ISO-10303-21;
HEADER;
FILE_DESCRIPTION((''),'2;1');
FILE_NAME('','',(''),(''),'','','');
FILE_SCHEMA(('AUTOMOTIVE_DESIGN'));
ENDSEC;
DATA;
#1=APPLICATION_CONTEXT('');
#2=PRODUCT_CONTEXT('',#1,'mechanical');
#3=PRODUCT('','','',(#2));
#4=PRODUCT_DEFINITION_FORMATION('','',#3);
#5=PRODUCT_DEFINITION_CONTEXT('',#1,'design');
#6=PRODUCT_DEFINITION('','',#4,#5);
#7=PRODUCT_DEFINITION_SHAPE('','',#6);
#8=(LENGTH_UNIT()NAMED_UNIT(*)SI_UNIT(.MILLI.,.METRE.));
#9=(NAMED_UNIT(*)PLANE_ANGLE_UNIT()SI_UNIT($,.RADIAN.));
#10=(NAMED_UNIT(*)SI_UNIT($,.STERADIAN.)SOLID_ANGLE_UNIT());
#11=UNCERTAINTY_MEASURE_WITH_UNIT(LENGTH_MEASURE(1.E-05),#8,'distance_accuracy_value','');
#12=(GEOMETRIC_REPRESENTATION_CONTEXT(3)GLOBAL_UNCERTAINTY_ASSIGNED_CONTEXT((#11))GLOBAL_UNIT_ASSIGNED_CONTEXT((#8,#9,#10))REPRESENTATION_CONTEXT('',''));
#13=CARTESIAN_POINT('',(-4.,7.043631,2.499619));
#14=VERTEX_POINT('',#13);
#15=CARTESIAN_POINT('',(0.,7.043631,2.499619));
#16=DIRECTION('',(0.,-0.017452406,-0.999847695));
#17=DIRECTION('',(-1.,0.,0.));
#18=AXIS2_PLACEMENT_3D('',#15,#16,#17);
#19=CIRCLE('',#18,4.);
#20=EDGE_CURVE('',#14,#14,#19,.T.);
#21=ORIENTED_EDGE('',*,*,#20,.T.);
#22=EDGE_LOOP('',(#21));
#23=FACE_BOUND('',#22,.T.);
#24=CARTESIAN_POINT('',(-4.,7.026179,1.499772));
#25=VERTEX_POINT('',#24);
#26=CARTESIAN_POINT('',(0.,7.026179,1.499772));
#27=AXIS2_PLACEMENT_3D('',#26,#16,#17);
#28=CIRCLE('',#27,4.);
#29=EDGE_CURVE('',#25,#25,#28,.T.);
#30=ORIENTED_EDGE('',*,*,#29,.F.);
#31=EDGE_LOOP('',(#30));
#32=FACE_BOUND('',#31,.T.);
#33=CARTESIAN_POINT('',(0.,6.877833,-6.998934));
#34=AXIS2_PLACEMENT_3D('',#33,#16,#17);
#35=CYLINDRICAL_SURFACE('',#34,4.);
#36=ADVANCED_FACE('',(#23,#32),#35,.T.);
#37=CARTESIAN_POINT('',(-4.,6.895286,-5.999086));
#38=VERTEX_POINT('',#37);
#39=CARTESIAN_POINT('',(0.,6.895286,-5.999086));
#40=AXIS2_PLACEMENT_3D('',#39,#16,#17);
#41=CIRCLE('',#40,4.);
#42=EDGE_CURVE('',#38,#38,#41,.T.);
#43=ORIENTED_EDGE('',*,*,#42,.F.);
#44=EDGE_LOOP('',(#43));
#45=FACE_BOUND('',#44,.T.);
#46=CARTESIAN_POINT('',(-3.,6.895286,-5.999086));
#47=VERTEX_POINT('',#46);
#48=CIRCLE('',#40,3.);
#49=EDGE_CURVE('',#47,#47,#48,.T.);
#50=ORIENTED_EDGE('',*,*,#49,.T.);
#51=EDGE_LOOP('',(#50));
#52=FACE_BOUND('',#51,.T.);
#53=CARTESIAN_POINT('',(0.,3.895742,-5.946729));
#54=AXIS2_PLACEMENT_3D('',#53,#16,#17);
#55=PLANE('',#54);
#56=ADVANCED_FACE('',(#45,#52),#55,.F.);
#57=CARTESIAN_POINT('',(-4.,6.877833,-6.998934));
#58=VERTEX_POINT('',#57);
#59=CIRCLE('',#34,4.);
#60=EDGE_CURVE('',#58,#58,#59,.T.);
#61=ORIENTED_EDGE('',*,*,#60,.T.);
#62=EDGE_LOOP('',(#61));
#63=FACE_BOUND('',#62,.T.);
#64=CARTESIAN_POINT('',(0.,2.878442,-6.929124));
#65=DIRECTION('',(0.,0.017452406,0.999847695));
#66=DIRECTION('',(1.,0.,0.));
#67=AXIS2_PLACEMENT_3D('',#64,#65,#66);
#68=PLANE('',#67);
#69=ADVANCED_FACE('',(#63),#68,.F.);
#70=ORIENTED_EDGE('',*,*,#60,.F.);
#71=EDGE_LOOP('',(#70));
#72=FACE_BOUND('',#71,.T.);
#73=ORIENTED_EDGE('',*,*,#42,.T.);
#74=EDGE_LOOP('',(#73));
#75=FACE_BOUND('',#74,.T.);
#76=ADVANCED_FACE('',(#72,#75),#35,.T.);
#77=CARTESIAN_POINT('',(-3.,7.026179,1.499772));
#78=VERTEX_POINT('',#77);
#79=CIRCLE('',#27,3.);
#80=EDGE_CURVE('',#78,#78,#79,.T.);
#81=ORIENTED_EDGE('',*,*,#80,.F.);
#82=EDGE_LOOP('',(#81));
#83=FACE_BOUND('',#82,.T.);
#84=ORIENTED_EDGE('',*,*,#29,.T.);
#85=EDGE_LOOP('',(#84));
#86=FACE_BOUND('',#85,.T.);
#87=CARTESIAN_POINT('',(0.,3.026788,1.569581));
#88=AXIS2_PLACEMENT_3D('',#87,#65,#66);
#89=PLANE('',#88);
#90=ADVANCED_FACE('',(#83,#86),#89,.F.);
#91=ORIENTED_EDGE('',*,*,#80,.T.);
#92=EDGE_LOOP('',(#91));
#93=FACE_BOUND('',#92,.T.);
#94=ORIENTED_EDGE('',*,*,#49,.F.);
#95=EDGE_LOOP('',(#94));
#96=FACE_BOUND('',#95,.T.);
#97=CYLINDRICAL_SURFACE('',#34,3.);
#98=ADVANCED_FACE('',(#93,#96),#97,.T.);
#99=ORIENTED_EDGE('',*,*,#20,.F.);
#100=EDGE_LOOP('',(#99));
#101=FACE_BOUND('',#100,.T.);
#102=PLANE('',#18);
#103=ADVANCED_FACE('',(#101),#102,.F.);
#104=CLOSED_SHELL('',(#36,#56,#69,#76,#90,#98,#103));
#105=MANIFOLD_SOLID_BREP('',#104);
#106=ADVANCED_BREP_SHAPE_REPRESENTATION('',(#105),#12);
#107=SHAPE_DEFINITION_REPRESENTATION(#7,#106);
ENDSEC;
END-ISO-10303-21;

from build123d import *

# Parameters (mm, degrees)
BODY_MOVE_COPY1_ANGLE = 119.424338974


with BuildPart() as part:
    # Sketch1 → Revolve1 (revolve)
    with BuildSketch(Plane.XY, mode=Mode.PRIVATE) as revolve1_sk:
        Polygon((0, 0), (0, 9.5), (-4, 9.5), (-4, 8.5), (-3, 8.5), (-3, 1), (-4, 1), (-4, 0), align=None)
    revolve(revolve1_sk.sketch.rotate(Axis((0, 0, 0), (0, 1, 0)), 270), axis=Axis((0, 0, 0), (0, 1, 0)))


with BuildPart() as part_1:
    # Body-Move/Copy1: moved
    add(part.part.moved(Location((0, 0, 0))).rotate(Axis((-2.346629399, 4.612052575, -2.346629399), (0.5739619558891293, 0.5840679295973761, 0.5739619558888548)), BODY_MOVE_COPY1_ANGLE))


solid = part_1.part
